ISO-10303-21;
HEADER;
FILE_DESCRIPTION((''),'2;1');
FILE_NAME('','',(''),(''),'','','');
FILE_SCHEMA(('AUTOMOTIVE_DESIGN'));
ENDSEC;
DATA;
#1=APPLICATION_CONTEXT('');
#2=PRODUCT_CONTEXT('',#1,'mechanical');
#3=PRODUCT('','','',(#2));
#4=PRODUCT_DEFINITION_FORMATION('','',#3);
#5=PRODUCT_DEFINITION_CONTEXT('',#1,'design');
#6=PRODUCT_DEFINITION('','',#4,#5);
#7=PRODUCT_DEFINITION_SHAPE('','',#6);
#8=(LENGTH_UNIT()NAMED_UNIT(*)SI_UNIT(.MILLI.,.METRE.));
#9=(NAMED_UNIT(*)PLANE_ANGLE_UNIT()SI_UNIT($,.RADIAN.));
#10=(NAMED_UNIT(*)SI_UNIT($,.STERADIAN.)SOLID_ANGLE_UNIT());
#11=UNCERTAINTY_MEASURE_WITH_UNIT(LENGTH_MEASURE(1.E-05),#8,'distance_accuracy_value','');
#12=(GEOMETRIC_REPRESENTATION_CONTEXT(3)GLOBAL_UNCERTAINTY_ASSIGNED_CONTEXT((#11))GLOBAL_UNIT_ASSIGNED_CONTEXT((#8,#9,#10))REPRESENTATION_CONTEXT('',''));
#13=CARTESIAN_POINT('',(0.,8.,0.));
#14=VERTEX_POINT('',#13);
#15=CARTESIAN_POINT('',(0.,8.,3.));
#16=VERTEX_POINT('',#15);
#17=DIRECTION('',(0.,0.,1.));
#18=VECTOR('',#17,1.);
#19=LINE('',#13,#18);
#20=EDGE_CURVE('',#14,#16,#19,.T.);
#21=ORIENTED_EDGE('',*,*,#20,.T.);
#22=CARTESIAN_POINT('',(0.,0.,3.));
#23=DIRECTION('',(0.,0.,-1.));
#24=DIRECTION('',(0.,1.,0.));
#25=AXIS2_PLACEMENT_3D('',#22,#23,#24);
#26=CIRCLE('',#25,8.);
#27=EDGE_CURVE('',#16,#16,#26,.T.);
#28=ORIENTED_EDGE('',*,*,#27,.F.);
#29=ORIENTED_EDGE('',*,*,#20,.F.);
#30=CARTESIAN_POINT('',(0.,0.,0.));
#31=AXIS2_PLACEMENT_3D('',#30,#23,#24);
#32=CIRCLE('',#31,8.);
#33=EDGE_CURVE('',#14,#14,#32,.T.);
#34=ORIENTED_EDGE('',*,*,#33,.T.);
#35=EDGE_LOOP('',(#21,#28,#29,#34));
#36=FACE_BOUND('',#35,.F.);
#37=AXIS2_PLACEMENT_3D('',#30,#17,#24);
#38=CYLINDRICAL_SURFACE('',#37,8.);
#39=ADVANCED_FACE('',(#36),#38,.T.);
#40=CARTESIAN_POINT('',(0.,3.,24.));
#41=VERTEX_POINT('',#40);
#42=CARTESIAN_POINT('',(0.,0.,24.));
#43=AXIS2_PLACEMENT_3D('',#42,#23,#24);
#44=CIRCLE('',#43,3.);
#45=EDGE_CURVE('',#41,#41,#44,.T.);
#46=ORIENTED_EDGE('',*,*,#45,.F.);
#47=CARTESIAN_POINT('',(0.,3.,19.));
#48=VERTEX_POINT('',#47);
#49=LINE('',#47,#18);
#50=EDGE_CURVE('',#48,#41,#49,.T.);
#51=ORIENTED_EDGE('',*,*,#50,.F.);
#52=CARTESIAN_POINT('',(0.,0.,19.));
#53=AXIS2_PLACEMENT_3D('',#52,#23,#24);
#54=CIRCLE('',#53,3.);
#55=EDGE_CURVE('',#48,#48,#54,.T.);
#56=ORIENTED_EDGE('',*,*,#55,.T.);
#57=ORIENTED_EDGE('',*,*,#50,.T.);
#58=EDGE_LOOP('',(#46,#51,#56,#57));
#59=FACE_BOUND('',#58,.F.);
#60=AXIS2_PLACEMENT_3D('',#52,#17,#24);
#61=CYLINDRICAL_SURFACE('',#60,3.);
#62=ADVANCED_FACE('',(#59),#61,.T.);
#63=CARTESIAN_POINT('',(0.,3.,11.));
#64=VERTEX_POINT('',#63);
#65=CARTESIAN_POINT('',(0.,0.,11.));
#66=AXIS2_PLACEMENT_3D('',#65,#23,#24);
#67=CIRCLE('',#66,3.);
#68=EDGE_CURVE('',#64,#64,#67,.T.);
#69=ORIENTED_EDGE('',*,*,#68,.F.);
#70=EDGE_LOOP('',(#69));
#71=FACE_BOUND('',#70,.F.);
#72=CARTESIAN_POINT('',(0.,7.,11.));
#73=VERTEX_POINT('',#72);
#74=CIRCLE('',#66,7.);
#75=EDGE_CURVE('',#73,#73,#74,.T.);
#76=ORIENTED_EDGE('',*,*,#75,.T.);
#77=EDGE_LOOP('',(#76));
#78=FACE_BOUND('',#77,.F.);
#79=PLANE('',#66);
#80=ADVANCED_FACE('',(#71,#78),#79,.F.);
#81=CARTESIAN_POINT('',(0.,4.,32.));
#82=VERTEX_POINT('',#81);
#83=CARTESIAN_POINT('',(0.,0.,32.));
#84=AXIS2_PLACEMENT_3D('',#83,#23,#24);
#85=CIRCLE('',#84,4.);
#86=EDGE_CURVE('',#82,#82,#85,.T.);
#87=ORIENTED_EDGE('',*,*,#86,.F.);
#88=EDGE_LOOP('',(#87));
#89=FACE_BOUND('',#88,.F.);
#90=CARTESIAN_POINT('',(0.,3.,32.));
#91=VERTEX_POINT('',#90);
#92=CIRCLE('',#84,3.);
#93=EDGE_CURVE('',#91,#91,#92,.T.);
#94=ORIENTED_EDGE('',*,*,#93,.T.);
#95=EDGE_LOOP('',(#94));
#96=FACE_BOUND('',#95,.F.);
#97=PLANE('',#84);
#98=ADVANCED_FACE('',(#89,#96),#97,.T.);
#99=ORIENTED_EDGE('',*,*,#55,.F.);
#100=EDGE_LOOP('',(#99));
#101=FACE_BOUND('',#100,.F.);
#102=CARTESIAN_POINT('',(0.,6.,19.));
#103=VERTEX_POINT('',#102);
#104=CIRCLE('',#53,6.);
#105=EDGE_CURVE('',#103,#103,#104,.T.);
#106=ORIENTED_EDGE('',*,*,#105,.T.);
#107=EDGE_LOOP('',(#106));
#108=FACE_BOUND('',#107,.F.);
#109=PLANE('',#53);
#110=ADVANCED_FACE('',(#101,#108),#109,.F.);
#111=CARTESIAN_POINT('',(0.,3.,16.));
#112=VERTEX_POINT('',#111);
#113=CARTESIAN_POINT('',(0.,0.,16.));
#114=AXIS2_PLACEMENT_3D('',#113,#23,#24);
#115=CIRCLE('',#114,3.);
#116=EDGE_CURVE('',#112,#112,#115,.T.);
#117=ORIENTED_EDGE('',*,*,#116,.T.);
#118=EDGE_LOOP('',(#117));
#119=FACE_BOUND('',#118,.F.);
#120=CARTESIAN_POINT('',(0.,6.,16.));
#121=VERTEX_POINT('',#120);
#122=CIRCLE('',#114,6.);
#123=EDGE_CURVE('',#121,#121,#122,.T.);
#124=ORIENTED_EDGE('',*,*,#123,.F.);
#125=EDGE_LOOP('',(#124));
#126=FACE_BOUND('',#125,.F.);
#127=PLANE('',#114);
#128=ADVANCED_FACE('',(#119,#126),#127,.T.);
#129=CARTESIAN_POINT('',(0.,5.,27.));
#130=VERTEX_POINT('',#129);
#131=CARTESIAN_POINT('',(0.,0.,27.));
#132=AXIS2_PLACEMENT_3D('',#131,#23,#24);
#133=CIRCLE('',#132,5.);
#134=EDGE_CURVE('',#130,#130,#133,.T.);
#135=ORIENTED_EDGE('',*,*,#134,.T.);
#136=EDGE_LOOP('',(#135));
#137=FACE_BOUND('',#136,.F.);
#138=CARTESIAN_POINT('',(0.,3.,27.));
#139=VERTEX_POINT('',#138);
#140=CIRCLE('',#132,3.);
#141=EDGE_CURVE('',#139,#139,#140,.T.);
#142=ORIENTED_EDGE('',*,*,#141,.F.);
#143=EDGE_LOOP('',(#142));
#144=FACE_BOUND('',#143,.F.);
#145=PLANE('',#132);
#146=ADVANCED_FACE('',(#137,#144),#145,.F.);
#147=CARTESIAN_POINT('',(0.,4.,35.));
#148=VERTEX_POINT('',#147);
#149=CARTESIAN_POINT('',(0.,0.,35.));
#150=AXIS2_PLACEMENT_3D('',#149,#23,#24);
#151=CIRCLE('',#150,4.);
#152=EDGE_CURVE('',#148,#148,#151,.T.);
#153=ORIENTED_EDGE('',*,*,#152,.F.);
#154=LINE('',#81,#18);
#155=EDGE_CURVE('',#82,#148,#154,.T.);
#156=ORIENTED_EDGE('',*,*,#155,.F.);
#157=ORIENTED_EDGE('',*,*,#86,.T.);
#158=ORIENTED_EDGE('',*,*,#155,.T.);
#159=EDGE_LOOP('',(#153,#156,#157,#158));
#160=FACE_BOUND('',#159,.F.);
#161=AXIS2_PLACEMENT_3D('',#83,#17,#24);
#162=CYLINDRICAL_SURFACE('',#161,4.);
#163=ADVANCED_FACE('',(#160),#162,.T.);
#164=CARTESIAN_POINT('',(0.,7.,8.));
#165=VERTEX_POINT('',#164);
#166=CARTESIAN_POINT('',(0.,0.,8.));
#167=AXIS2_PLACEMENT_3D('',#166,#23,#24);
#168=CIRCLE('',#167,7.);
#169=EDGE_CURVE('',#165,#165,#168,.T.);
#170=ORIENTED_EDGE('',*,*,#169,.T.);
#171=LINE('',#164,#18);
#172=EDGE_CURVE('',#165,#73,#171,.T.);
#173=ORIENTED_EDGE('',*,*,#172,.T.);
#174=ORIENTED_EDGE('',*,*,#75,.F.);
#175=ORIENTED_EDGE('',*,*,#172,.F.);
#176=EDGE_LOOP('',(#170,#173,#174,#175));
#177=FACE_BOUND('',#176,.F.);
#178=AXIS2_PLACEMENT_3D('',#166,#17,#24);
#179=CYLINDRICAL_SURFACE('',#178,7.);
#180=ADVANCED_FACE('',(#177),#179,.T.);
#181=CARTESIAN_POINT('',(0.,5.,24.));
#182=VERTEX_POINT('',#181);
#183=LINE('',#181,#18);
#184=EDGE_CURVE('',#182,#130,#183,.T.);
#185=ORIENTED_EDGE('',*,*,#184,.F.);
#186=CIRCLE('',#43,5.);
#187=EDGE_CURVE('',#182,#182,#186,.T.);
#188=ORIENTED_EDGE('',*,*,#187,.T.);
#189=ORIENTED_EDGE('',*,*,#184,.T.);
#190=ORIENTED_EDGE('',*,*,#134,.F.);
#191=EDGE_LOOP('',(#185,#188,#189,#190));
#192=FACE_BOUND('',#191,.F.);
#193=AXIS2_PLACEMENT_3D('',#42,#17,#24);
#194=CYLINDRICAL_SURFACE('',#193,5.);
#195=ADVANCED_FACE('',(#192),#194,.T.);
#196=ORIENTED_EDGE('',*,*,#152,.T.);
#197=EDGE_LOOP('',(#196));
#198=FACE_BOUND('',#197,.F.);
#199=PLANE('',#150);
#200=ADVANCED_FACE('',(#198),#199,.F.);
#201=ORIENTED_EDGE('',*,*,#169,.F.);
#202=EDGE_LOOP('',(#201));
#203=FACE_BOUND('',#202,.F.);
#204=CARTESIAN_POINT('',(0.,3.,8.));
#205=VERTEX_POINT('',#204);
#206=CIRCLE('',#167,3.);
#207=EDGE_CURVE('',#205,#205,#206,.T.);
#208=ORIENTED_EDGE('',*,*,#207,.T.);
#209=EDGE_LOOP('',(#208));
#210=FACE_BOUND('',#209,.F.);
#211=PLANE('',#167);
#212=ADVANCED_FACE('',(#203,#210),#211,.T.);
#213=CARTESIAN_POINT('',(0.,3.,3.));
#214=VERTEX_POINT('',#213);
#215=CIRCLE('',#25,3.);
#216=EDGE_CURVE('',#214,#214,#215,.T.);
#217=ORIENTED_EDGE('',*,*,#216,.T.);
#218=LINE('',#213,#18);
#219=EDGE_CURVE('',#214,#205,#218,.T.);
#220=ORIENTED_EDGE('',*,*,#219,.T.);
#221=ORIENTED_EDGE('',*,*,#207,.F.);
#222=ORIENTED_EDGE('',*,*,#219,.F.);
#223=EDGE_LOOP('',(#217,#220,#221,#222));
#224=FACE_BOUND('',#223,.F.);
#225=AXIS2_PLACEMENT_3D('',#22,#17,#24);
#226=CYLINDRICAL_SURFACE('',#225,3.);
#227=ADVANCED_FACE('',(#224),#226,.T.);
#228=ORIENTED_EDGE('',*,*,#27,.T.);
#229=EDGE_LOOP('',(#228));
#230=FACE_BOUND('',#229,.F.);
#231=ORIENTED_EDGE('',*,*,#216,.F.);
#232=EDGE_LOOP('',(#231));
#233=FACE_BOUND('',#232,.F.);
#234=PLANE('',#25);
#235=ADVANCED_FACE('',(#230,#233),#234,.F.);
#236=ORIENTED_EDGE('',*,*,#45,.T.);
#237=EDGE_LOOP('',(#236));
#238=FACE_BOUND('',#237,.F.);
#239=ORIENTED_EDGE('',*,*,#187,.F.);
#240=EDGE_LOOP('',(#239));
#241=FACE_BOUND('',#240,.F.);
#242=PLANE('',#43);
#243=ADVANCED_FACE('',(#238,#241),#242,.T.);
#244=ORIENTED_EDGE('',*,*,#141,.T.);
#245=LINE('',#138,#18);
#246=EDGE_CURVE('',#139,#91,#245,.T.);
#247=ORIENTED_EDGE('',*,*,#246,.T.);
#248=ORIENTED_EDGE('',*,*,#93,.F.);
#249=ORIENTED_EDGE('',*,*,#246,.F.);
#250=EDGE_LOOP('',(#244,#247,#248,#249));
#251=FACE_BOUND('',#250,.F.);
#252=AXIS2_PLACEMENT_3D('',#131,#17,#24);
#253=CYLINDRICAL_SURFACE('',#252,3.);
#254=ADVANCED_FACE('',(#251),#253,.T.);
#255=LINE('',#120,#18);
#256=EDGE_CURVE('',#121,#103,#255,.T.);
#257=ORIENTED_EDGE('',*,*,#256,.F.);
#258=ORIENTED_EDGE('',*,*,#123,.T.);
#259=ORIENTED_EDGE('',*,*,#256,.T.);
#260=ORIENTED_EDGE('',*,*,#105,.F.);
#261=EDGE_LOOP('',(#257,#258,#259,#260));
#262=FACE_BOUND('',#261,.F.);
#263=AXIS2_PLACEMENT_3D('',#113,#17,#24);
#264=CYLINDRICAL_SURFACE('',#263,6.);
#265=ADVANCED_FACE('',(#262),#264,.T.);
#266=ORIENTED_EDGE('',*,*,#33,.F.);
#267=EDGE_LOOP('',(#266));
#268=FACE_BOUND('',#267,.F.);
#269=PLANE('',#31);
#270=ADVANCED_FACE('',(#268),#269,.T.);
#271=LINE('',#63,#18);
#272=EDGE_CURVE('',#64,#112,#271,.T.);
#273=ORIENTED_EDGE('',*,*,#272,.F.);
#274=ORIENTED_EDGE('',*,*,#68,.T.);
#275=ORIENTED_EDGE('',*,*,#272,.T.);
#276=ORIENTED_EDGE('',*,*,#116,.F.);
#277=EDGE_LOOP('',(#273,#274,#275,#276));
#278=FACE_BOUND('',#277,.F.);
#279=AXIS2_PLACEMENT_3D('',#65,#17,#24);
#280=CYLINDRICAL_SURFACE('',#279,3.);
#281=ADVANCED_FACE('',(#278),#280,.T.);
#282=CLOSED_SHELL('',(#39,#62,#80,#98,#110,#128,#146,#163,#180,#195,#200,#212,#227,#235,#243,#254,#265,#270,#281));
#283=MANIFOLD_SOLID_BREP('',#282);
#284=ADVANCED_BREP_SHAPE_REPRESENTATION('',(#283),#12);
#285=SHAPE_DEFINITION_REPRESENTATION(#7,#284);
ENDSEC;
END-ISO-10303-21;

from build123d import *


with BuildPart() as f1:
    # F0 (on Right) → F1 (revolve)
    with BuildSketch(Plane.YZ):
        Polygon((0, 0), (8, 0), (8, 3), (3, 3), (3, 8), (7, 8), (7, 11), (3, 11), (3, 16), (6, 16), (6, 19), (3, 19), (3, 24), (5, 24), (5, 27), (3, 27), (3, 32), (4, 32), (4, 35), (0, 35), align=None)
    revolve(axis=Axis((0, 0, 17.5), (0, 0, -1)))


solid = f1.part
